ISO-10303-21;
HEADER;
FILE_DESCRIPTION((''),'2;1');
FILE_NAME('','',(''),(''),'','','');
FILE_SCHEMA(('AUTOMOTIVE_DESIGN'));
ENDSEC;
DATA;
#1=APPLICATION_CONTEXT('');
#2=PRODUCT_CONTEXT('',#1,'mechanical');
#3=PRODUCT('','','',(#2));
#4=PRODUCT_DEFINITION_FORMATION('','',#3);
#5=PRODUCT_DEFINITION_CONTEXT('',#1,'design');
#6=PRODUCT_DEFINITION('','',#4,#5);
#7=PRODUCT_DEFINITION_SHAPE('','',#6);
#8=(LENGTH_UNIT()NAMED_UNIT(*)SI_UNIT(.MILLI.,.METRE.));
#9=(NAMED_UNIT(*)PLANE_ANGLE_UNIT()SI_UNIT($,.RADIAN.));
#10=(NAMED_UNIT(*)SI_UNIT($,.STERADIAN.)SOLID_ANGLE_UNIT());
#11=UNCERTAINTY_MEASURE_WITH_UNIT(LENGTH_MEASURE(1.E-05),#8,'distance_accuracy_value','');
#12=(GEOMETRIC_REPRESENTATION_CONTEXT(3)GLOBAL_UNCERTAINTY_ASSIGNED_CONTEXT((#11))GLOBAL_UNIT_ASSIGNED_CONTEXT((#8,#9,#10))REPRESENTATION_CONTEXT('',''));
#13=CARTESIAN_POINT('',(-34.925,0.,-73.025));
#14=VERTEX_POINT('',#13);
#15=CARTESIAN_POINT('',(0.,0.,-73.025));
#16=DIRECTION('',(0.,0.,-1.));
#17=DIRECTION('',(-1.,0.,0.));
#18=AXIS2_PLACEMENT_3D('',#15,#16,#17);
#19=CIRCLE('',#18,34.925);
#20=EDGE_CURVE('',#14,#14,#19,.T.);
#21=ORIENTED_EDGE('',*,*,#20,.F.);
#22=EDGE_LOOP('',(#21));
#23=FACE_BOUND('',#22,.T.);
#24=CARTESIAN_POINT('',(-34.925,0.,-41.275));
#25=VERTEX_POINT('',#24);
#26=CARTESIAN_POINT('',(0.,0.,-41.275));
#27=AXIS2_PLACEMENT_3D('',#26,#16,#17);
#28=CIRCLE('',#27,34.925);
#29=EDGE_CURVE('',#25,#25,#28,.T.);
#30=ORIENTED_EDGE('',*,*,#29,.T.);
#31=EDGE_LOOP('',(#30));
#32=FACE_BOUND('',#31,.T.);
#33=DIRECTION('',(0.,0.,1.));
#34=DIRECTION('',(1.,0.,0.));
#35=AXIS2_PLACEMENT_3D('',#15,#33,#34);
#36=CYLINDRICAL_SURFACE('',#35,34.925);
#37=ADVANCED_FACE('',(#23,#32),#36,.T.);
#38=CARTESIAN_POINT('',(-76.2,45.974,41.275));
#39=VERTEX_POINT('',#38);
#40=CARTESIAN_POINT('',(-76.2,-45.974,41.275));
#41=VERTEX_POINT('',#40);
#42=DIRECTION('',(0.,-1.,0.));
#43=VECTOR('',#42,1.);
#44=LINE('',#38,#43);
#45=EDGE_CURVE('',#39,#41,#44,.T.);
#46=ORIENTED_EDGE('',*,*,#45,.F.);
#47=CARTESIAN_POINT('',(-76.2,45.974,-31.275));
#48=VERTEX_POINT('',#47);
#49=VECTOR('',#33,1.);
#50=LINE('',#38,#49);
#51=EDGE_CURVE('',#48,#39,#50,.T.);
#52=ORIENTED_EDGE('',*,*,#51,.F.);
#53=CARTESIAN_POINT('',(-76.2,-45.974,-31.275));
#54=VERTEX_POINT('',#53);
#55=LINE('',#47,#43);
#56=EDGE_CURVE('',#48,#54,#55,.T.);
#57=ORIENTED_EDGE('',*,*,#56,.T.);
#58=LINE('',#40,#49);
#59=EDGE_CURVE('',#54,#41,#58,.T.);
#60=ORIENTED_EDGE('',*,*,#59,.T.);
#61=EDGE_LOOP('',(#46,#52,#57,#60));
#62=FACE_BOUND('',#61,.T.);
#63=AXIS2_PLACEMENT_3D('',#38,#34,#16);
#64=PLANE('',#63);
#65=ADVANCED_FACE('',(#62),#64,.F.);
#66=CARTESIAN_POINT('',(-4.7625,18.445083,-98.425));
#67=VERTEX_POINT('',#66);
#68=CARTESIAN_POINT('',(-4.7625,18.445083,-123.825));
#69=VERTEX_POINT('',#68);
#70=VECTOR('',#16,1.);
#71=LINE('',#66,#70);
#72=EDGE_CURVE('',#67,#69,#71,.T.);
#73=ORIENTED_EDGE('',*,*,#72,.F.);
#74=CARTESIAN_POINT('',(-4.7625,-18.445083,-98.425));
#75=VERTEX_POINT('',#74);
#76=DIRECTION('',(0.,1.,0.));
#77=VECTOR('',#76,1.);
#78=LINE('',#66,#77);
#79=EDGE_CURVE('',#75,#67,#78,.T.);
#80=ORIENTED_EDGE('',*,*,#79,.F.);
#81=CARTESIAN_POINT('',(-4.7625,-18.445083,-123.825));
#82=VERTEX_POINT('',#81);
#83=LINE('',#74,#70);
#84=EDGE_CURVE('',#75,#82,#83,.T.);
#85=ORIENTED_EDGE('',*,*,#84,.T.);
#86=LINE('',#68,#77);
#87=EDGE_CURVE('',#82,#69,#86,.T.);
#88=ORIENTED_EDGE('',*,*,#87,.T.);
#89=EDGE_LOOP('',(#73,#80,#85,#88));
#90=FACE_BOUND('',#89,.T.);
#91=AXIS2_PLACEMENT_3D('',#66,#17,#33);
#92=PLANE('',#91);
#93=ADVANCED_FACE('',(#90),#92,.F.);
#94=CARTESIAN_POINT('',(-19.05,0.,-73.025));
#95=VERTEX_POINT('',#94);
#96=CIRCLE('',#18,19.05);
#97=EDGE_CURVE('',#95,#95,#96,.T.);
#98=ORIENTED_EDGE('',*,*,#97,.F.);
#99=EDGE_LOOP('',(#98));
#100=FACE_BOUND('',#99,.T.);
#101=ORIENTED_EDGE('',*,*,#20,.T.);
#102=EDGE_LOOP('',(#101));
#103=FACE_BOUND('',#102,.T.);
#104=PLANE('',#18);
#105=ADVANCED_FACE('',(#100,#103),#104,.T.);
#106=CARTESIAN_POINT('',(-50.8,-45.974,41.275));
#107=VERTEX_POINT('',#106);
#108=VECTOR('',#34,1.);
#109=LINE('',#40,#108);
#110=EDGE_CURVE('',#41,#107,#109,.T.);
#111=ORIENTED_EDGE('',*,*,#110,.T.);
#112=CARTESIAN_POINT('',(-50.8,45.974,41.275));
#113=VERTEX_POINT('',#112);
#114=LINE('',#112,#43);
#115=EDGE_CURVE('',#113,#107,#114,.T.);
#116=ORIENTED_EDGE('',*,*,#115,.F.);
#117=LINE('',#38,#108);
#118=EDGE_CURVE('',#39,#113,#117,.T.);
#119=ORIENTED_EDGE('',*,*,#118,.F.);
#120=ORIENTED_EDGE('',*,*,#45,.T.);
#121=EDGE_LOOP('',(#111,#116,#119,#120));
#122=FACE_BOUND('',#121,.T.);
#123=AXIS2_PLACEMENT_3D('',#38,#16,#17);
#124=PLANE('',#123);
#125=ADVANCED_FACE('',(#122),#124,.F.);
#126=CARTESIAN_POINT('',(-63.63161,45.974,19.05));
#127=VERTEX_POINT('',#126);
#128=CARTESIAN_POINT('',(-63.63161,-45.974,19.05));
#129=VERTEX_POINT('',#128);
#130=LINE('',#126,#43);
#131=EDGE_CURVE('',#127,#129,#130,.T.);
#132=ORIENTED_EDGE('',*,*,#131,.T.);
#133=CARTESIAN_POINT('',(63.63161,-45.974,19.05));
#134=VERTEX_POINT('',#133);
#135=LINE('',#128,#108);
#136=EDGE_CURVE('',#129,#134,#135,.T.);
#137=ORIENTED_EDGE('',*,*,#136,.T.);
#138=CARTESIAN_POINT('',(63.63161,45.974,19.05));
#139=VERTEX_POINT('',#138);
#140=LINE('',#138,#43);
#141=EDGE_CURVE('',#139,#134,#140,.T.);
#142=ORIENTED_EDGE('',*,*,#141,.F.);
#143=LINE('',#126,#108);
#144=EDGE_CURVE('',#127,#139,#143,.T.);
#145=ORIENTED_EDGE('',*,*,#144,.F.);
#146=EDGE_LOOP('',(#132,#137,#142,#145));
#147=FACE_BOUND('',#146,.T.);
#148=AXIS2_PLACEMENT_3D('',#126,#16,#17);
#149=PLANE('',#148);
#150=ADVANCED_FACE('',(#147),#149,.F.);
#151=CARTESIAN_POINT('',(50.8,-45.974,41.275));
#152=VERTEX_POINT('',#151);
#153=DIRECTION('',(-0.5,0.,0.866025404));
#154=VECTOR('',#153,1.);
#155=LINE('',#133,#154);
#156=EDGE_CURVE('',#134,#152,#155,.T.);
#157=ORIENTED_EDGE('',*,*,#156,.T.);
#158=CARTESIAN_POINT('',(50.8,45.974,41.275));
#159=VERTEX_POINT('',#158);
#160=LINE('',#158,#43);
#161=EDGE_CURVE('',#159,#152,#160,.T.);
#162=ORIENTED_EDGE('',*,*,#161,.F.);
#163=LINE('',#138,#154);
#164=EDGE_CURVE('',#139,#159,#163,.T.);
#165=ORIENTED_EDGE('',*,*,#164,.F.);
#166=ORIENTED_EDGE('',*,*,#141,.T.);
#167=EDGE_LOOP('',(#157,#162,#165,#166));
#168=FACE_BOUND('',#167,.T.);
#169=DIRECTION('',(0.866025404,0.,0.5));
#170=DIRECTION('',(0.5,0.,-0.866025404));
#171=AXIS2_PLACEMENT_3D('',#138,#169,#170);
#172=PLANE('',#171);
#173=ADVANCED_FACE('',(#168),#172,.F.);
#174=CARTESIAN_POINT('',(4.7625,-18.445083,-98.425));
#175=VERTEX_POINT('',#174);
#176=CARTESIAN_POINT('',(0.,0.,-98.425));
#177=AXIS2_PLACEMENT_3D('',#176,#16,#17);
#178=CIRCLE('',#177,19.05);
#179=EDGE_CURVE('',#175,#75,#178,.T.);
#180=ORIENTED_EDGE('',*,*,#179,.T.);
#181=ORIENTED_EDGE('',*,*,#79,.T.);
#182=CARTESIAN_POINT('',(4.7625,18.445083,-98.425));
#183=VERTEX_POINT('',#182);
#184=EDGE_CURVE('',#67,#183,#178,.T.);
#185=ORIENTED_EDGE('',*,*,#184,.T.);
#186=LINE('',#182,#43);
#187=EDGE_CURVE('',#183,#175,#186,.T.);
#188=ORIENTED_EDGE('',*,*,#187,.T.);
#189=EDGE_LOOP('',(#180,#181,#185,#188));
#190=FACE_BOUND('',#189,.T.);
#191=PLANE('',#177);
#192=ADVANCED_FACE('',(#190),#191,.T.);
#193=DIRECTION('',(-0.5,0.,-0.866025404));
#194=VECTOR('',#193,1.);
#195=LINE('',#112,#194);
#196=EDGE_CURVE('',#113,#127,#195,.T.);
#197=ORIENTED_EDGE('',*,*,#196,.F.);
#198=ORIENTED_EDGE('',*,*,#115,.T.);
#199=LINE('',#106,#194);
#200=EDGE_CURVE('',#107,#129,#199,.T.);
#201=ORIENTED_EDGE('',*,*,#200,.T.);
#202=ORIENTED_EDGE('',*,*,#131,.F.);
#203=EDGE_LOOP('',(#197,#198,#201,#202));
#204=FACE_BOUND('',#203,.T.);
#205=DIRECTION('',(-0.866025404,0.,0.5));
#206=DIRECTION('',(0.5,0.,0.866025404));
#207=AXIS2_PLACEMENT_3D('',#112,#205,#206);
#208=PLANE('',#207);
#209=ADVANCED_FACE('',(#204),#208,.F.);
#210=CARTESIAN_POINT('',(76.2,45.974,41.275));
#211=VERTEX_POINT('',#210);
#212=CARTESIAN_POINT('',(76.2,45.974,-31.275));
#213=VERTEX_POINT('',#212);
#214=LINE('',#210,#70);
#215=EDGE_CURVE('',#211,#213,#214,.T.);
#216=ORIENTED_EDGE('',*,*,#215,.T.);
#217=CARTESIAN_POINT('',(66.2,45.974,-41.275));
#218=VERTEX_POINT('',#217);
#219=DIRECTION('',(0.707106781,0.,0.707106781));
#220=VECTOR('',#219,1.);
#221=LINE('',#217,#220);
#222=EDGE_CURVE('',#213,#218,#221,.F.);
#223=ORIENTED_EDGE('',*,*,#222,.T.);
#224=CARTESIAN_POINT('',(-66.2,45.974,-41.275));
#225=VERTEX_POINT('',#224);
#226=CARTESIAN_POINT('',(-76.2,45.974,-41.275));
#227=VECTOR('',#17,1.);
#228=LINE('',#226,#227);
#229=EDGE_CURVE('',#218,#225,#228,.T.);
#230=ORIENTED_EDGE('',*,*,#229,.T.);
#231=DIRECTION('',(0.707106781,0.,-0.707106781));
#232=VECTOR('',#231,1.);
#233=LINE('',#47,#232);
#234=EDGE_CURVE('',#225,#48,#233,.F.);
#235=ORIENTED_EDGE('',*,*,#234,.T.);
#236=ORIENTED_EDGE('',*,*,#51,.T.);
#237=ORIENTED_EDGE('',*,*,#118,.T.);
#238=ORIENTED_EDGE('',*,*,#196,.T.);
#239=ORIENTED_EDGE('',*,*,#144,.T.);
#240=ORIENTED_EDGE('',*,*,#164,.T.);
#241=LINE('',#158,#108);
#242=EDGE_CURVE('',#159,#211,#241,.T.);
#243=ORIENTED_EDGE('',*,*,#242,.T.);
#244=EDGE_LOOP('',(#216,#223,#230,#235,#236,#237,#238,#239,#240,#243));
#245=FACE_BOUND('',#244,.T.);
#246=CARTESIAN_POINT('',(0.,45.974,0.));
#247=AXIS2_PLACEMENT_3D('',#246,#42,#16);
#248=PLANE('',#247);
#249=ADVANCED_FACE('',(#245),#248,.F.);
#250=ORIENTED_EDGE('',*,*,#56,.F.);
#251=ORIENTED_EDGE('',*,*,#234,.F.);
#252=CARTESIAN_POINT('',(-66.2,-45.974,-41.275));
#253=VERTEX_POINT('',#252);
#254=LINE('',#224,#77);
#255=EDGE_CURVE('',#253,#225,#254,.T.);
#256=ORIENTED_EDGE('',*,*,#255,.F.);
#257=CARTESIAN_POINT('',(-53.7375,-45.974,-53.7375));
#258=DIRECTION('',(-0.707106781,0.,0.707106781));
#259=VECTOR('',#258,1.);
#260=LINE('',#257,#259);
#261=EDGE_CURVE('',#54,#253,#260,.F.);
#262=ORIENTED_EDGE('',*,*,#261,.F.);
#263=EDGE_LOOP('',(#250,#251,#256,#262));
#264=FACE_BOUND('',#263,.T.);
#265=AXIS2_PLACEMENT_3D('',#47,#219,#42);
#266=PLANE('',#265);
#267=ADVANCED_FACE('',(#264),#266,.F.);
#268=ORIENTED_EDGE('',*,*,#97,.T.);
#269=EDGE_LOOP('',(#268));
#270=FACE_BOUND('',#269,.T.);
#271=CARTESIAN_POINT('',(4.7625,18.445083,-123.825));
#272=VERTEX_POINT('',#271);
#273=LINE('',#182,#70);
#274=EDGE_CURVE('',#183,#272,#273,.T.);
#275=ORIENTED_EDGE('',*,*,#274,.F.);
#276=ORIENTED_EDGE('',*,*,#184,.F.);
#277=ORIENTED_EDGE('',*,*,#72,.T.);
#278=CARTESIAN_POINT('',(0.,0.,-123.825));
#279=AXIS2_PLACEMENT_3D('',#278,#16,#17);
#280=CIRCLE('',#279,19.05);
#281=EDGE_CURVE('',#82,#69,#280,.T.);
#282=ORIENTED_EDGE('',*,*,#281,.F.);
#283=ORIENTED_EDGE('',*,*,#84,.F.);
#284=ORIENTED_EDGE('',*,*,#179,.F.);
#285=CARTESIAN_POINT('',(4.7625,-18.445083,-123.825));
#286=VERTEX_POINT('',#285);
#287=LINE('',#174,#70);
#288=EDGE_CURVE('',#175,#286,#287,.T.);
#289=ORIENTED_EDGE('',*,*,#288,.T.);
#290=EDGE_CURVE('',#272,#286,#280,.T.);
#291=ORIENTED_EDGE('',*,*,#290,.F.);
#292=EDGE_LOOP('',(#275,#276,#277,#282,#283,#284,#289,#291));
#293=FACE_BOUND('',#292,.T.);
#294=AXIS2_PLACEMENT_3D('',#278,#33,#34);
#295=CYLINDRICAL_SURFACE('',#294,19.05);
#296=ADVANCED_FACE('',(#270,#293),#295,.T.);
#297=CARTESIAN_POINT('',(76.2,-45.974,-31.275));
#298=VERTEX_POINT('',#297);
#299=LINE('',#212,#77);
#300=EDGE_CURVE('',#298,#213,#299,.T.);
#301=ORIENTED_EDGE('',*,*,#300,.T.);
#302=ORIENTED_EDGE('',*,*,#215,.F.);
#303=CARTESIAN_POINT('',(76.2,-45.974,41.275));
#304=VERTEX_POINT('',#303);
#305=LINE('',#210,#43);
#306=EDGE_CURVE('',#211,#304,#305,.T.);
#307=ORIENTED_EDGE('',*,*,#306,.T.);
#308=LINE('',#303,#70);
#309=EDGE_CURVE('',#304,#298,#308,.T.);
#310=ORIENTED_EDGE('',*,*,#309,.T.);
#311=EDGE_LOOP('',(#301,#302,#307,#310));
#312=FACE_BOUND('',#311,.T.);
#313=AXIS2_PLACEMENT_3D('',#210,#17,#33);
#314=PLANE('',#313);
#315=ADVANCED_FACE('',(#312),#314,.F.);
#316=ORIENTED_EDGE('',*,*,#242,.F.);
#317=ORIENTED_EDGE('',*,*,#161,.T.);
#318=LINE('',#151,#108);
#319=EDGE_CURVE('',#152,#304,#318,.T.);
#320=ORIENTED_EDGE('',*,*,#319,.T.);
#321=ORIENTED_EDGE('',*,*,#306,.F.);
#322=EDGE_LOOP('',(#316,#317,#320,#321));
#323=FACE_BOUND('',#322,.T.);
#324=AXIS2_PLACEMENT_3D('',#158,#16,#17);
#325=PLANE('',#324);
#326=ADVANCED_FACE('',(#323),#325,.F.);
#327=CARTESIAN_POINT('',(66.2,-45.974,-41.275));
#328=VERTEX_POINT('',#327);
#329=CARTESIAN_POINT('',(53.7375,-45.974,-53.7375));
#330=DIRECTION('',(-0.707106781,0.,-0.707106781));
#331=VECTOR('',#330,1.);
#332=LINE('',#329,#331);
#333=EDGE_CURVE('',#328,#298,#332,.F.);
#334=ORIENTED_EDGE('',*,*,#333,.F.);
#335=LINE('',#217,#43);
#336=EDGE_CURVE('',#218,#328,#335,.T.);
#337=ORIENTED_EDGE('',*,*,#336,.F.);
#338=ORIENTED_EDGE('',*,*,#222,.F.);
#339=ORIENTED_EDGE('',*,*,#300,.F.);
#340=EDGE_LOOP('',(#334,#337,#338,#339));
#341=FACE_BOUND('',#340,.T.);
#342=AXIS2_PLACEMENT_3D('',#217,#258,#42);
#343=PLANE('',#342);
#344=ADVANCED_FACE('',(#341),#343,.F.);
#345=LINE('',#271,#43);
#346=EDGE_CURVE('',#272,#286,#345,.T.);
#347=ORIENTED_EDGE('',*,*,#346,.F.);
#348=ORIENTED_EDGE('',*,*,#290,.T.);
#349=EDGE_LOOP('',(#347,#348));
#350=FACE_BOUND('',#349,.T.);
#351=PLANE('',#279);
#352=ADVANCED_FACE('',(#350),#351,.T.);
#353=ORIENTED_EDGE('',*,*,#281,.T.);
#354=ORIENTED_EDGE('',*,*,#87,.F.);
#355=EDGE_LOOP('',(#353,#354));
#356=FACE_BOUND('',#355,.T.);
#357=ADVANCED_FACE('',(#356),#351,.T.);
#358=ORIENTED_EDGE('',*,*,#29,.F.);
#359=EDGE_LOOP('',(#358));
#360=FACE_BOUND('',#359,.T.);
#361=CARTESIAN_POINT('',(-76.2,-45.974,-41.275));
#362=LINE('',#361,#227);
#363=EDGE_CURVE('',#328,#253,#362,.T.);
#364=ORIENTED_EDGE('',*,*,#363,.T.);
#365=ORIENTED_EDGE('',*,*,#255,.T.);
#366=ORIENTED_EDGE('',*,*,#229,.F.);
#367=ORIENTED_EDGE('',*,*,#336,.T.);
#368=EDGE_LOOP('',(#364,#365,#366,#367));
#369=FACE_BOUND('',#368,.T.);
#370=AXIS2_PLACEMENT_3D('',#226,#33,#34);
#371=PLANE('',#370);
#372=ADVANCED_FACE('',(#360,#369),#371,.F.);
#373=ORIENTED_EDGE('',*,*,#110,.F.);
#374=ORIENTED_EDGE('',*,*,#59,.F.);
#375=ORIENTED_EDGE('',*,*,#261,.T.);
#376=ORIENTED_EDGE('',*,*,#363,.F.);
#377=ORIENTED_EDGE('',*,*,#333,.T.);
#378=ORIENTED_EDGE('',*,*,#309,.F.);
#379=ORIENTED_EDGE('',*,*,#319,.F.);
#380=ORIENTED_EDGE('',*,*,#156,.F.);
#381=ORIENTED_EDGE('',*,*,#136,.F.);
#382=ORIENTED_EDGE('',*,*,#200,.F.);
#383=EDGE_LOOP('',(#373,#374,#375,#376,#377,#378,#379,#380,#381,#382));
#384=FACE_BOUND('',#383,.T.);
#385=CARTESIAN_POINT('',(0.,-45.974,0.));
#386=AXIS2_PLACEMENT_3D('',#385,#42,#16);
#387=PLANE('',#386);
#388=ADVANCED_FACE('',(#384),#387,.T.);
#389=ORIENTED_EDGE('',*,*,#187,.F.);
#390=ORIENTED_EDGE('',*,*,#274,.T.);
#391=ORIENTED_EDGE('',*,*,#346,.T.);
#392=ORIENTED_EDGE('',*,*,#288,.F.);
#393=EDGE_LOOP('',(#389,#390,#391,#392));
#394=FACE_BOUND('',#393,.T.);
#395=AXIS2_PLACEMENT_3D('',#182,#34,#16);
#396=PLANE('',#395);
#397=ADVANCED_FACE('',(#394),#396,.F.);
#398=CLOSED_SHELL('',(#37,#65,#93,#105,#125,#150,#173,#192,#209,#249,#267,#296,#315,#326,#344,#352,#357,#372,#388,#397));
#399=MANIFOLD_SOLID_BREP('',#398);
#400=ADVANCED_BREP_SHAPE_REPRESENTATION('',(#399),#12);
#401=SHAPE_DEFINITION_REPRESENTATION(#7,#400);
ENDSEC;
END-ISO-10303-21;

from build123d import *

# Parameters (mm, degrees)
BOSS_EXTRUDE1_DEPTH = 45.974
SKETCH2_R           = 34.925
BOSS_EXTRUDE2_DEPTH = 31.75
SKETCH3_R           = 19.05
BOSS_EXTRUDE3_DEPTH = 50.8
CUT_EXTRUDE1_START  = -25.4
CUT_EXTRUDE1_DEPTH  = 25.4
CHAMFER1_SIZE       = 10


with BuildPart() as part:
    # Sketch1 → Boss-Extrude1 (new, symmetric)
    with BuildSketch(Plane(origin=(0, 0, 0), x_dir=(1, 0, 0), z_dir=(0, 1, 0))):
        Polygon((-50.8, -41.275), (-63.631609733, -19.05), (63.631609733, -19.05), (50.8, -41.275), (76.2, -41.275), (76.2, 41.275), (-76.2, 41.275), (-76.2, -41.275), align=None)
    extrude(amount=BOSS_EXTRUDE1_DEPTH, both=True)

    # Sketch2 → Boss-Extrude2 (add)
    with BuildSketch(Plane(origin=(0, 0, -41.275), x_dir=(-1, 0, 0), z_dir=(0, 0, -1))):
        Circle(SKETCH2_R)
    extrude(amount=BOSS_EXTRUDE2_DEPTH)

    # Sketch3 → Boss-Extrude3 (add)
    with BuildSketch(Plane(origin=(0, 0, -73.025), x_dir=(-1, 0, 0), z_dir=(0, 0, -1))):
        Circle(SKETCH3_R)
    extrude(amount=BOSS_EXTRUDE3_DEPTH)

    # Sketch4 → Cut-Extrude1 (cut)
    with BuildSketch(Plane(origin=(0, 0, -123.825), x_dir=(-1, 0, 0), z_dir=(0, 0, -1)).offset(CUT_EXTRUDE1_START)):
        with BuildLine():
            Line((-4.7625, 18.445083186), (-4.7625, -18.445083186))
            ThreePointArc((-4.7625, -18.445083186), (0, -19.05), (4.7625, -18.445083186))
            Line((4.7625, -18.445083186), (4.7625, 18.445083186))
            ThreePointArc((4.7625, 18.445083186), (0, 19.05), (-4.7625, 18.445083186))
        make_face()
    extrude(amount=CUT_EXTRUDE1_DEPTH, mode=Mode.SUBTRACT)

    # Chamfer1
    chamfer1_edges = [part.edges().sort_by_distance(p)[0] for p in [
        (-76.2, 0, -41.275),
        (76.2, 0, -41.275),
    ]]
    chamfer(chamfer1_edges, length=CHAMFER1_SIZE)


solid = part.part
